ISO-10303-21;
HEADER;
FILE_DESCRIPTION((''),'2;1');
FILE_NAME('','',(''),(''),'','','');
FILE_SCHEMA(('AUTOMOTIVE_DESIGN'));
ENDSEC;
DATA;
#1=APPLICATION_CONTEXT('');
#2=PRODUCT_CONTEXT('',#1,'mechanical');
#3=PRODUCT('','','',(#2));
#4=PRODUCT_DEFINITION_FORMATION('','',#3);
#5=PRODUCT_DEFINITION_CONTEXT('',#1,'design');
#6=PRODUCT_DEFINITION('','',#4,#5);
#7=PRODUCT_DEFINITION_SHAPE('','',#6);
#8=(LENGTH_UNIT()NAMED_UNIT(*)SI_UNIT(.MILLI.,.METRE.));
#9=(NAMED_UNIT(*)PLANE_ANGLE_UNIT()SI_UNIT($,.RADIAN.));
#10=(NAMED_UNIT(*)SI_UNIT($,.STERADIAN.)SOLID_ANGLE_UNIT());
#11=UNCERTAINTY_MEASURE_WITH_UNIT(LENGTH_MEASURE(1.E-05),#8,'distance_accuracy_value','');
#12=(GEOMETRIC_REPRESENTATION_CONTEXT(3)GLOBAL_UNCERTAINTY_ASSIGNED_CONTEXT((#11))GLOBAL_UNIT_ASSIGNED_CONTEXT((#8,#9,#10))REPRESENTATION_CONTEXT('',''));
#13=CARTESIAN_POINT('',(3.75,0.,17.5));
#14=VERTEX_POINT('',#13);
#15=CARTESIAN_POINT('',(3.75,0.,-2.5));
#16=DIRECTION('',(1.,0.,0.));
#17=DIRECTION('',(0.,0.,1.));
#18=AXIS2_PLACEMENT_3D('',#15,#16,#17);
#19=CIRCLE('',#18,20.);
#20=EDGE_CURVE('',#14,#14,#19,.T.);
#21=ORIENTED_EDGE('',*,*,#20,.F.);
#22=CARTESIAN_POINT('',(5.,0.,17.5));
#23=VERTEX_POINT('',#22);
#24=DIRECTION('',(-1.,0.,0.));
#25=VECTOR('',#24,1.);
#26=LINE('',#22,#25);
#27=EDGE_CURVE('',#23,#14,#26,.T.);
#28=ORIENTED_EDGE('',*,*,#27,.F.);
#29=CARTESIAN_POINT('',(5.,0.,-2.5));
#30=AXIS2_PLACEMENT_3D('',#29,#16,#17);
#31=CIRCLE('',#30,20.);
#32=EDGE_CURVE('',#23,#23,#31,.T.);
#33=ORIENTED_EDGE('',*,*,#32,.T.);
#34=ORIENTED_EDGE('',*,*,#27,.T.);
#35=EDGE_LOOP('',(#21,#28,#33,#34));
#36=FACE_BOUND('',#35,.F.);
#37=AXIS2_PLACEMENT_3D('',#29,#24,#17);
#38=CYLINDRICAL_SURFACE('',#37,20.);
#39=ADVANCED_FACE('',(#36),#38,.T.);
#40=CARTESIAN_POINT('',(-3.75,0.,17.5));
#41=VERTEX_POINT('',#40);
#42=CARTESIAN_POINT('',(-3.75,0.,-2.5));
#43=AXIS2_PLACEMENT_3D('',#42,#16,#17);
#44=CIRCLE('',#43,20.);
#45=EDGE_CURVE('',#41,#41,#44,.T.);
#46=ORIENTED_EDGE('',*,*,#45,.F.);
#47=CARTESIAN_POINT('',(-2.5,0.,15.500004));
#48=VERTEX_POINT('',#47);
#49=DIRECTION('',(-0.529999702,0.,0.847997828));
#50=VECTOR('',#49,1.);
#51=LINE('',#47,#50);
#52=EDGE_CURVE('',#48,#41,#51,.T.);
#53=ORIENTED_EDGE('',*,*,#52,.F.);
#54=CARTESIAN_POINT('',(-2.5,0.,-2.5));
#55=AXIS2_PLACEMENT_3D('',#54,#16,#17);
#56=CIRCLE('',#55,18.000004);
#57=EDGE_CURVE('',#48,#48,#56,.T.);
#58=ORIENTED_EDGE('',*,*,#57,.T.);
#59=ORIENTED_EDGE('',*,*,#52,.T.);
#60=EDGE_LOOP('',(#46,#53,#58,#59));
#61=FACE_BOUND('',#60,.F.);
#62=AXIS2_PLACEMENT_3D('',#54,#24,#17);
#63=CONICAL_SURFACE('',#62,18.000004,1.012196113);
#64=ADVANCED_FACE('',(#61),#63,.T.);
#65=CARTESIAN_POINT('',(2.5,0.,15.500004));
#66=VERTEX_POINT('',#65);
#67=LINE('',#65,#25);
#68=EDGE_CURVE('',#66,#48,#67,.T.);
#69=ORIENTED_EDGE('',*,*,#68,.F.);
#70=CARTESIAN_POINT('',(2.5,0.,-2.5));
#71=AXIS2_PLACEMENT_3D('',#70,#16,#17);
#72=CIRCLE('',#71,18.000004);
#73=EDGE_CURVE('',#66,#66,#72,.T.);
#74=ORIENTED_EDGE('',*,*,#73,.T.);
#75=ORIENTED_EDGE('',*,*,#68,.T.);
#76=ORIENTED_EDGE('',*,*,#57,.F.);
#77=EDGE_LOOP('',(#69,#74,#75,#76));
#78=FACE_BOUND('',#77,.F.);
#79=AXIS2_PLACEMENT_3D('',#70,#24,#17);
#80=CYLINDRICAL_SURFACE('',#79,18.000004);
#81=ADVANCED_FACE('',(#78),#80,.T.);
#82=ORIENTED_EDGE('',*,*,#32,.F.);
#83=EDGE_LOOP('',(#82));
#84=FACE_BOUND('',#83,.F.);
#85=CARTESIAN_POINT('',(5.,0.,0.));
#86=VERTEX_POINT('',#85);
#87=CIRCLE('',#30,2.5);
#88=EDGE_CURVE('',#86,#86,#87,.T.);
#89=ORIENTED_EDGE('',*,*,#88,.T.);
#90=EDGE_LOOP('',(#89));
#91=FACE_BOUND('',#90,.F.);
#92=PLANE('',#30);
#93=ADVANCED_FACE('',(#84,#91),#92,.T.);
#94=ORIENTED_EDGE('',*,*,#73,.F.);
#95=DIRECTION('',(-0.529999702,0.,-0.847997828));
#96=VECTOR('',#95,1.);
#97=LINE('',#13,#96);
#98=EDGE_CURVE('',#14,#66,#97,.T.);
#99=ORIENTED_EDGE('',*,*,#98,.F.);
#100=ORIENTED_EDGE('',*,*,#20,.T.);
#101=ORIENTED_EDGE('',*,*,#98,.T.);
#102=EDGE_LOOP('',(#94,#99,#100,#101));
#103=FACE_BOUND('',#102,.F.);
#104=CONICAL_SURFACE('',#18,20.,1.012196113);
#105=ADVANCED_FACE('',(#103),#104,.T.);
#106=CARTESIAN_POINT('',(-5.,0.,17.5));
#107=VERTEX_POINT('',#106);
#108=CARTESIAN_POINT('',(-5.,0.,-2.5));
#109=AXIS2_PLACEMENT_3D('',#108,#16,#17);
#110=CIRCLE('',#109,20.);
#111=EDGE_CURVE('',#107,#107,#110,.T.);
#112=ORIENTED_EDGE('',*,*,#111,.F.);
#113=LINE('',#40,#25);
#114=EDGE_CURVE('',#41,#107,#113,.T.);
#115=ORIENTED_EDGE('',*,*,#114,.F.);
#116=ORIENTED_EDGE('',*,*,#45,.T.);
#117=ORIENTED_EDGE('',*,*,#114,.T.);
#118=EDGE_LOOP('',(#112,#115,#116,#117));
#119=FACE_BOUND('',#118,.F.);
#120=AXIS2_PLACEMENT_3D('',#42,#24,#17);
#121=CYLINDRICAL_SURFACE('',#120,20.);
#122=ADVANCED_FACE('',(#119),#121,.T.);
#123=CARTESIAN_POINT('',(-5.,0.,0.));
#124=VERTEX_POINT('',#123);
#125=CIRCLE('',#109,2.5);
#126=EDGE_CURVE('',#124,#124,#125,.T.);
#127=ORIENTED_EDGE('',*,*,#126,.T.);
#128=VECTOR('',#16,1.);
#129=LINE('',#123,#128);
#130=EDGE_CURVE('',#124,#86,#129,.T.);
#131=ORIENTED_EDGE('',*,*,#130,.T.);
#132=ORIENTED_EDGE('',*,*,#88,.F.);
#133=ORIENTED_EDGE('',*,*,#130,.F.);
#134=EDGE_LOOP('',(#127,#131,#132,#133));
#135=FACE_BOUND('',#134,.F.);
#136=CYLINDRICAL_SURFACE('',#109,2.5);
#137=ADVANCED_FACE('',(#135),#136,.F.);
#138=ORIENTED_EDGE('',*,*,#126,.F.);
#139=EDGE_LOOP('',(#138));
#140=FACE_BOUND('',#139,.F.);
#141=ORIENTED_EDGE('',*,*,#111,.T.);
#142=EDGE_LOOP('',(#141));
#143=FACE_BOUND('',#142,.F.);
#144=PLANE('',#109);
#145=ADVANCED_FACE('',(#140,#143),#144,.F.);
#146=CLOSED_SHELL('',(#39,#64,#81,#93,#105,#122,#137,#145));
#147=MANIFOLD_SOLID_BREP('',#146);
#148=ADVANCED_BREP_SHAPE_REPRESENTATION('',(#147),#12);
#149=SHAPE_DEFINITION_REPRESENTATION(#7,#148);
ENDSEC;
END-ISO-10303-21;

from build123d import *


with BuildPart() as f1:
    # F0 (on Front) → F1 (revolve)
    with BuildSketch(Plane.XZ):
        Polygon((-5, 5), (-5, 0), (5, 0), (5, 5), (2.5, 5), (-2.5, 5), align=None)
        Polygon((-5, 12.5), (-5, 5), (-2.5, 5), (2.5, 5), (5, 5), (5, 12.5), (2.5, 12.5), (-2.5, 12.5), align=None)
        Polygon((-5, 17.5), (-5, 12.5), (-2.5, 12.5), (2.5, 12.5), (5, 12.5), (5, 17.5), (3.75, 17.5), (2.5, 15.500004), (-2.5, 15.500004), (-3.75, 17.5), align=None)
    revolve(axis=Axis((0.313021, 0, -2.5), (1, 0, 0)))


solid = f1.part
